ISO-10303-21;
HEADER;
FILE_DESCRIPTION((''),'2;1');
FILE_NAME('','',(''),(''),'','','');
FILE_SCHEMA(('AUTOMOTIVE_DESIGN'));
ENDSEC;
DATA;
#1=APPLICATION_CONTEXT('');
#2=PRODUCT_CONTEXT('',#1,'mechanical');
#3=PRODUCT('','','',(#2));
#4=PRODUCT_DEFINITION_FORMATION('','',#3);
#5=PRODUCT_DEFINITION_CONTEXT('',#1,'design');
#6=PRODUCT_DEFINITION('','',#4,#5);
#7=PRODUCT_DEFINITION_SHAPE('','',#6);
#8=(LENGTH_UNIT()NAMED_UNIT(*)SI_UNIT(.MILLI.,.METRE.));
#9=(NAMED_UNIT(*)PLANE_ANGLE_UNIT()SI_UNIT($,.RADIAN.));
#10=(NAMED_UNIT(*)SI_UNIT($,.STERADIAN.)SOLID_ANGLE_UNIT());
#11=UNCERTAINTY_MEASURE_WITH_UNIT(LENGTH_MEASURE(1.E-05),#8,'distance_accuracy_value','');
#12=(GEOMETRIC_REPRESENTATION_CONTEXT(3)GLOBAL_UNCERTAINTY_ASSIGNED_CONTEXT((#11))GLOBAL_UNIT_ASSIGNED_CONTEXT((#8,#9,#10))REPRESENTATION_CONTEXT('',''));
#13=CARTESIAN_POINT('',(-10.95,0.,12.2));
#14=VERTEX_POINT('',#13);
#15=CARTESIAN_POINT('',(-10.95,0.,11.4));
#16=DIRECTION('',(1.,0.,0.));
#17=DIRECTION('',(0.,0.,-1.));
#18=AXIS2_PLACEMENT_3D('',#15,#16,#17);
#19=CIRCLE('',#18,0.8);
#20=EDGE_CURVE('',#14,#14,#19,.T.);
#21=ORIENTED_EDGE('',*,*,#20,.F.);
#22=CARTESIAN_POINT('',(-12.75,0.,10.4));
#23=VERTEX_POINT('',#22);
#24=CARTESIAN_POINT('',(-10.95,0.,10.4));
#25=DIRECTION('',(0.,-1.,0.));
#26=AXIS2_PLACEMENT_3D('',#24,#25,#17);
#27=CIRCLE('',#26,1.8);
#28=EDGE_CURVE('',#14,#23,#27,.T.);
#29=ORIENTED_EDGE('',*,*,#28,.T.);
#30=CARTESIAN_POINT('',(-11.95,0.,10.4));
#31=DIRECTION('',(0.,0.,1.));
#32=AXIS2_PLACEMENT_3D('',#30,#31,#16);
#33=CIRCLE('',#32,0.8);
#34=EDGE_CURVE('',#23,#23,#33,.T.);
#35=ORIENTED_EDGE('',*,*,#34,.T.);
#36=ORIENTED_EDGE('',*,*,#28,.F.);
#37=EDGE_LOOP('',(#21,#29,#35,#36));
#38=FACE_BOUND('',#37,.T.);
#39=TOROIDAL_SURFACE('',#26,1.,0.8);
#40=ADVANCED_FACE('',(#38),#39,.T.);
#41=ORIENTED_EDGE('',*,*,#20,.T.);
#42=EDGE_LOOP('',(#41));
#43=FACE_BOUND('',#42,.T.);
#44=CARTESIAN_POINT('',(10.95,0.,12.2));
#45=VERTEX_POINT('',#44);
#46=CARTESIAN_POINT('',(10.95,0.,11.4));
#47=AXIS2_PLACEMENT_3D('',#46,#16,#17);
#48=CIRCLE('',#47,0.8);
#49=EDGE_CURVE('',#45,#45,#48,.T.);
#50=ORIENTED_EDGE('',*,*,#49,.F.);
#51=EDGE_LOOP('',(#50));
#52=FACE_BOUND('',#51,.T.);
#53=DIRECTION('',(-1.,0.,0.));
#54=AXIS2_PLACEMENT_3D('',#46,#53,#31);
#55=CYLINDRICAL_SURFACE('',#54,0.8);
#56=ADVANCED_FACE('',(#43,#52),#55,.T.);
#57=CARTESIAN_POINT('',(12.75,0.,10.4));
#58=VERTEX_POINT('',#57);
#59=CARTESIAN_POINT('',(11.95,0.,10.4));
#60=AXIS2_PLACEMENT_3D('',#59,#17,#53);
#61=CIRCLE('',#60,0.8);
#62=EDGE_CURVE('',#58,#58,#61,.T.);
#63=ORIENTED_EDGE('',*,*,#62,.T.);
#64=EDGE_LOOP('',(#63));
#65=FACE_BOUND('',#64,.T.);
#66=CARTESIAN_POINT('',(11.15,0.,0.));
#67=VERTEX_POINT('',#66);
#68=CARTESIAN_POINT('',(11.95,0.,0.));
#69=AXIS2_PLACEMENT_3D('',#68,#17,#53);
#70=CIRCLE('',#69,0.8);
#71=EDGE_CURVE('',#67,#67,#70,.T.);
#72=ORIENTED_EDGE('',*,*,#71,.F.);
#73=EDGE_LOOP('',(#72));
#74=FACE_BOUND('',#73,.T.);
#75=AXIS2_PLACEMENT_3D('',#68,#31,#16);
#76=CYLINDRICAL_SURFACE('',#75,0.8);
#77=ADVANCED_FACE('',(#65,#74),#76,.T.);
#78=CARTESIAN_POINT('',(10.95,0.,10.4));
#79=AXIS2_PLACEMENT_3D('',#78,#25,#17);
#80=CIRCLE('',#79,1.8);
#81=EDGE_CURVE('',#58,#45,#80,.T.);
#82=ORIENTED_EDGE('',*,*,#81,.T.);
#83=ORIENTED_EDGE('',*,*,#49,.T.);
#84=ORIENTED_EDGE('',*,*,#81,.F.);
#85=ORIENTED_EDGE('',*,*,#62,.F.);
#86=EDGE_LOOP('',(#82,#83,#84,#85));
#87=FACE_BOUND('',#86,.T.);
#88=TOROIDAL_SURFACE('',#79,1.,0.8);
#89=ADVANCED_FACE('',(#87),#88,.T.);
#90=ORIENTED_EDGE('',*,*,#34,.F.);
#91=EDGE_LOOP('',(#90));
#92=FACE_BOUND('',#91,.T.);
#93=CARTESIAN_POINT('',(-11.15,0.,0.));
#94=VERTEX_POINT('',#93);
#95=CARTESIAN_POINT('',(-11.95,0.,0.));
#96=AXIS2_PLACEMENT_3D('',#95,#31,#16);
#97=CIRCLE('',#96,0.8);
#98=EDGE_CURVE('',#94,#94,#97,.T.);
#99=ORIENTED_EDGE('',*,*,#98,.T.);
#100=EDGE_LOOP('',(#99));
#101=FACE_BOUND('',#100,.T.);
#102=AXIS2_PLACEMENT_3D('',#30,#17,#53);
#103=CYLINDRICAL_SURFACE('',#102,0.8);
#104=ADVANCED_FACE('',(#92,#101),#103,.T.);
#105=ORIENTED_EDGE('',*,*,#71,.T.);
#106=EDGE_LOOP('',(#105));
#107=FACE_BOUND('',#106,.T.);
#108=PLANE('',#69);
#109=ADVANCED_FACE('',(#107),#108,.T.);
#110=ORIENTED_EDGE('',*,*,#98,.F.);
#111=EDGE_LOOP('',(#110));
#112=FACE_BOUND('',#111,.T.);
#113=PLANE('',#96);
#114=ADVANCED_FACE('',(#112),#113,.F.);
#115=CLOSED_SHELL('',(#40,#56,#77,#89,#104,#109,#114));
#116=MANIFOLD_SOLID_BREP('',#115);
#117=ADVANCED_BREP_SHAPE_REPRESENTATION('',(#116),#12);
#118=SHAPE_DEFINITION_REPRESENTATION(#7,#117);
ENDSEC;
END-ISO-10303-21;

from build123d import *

# Parameters (mm, degrees)
SWEEP1_PROFILE_R = 0.8


with BuildPart() as part:
    # Sweep1: sweep along a path in Sketch1
    with BuildLine(Plane(origin=(0, 0, 0), x_dir=(1, 0, 0), z_dir=(0, 1, 0))) as sweep1_path:
        Line((11.95, 0), (11.95, -10.4))
        ThreePointArc((11.95, -10.4), (11.657106781, -11.107106781), (10.95, -11.4))
        Line((10.95, -11.4), (-10.95, -11.4))
        ThreePointArc((-10.95, -11.4), (-11.657106781, -11.107106781), (-11.95, -10.4))
        Line((-11.95, -10.4), (-11.95, 0))
    # Sweep1 profile (on start of the path) → Sweep1 (sweep)
    with BuildSketch(Plane(origin=(11.95, 0, 0), x_dir=(1, 0, 0), z_dir=(0, 0, 1))):
        Circle(SWEEP1_PROFILE_R)
    sweep(path=sweep1_path.line)


solid = part.part
